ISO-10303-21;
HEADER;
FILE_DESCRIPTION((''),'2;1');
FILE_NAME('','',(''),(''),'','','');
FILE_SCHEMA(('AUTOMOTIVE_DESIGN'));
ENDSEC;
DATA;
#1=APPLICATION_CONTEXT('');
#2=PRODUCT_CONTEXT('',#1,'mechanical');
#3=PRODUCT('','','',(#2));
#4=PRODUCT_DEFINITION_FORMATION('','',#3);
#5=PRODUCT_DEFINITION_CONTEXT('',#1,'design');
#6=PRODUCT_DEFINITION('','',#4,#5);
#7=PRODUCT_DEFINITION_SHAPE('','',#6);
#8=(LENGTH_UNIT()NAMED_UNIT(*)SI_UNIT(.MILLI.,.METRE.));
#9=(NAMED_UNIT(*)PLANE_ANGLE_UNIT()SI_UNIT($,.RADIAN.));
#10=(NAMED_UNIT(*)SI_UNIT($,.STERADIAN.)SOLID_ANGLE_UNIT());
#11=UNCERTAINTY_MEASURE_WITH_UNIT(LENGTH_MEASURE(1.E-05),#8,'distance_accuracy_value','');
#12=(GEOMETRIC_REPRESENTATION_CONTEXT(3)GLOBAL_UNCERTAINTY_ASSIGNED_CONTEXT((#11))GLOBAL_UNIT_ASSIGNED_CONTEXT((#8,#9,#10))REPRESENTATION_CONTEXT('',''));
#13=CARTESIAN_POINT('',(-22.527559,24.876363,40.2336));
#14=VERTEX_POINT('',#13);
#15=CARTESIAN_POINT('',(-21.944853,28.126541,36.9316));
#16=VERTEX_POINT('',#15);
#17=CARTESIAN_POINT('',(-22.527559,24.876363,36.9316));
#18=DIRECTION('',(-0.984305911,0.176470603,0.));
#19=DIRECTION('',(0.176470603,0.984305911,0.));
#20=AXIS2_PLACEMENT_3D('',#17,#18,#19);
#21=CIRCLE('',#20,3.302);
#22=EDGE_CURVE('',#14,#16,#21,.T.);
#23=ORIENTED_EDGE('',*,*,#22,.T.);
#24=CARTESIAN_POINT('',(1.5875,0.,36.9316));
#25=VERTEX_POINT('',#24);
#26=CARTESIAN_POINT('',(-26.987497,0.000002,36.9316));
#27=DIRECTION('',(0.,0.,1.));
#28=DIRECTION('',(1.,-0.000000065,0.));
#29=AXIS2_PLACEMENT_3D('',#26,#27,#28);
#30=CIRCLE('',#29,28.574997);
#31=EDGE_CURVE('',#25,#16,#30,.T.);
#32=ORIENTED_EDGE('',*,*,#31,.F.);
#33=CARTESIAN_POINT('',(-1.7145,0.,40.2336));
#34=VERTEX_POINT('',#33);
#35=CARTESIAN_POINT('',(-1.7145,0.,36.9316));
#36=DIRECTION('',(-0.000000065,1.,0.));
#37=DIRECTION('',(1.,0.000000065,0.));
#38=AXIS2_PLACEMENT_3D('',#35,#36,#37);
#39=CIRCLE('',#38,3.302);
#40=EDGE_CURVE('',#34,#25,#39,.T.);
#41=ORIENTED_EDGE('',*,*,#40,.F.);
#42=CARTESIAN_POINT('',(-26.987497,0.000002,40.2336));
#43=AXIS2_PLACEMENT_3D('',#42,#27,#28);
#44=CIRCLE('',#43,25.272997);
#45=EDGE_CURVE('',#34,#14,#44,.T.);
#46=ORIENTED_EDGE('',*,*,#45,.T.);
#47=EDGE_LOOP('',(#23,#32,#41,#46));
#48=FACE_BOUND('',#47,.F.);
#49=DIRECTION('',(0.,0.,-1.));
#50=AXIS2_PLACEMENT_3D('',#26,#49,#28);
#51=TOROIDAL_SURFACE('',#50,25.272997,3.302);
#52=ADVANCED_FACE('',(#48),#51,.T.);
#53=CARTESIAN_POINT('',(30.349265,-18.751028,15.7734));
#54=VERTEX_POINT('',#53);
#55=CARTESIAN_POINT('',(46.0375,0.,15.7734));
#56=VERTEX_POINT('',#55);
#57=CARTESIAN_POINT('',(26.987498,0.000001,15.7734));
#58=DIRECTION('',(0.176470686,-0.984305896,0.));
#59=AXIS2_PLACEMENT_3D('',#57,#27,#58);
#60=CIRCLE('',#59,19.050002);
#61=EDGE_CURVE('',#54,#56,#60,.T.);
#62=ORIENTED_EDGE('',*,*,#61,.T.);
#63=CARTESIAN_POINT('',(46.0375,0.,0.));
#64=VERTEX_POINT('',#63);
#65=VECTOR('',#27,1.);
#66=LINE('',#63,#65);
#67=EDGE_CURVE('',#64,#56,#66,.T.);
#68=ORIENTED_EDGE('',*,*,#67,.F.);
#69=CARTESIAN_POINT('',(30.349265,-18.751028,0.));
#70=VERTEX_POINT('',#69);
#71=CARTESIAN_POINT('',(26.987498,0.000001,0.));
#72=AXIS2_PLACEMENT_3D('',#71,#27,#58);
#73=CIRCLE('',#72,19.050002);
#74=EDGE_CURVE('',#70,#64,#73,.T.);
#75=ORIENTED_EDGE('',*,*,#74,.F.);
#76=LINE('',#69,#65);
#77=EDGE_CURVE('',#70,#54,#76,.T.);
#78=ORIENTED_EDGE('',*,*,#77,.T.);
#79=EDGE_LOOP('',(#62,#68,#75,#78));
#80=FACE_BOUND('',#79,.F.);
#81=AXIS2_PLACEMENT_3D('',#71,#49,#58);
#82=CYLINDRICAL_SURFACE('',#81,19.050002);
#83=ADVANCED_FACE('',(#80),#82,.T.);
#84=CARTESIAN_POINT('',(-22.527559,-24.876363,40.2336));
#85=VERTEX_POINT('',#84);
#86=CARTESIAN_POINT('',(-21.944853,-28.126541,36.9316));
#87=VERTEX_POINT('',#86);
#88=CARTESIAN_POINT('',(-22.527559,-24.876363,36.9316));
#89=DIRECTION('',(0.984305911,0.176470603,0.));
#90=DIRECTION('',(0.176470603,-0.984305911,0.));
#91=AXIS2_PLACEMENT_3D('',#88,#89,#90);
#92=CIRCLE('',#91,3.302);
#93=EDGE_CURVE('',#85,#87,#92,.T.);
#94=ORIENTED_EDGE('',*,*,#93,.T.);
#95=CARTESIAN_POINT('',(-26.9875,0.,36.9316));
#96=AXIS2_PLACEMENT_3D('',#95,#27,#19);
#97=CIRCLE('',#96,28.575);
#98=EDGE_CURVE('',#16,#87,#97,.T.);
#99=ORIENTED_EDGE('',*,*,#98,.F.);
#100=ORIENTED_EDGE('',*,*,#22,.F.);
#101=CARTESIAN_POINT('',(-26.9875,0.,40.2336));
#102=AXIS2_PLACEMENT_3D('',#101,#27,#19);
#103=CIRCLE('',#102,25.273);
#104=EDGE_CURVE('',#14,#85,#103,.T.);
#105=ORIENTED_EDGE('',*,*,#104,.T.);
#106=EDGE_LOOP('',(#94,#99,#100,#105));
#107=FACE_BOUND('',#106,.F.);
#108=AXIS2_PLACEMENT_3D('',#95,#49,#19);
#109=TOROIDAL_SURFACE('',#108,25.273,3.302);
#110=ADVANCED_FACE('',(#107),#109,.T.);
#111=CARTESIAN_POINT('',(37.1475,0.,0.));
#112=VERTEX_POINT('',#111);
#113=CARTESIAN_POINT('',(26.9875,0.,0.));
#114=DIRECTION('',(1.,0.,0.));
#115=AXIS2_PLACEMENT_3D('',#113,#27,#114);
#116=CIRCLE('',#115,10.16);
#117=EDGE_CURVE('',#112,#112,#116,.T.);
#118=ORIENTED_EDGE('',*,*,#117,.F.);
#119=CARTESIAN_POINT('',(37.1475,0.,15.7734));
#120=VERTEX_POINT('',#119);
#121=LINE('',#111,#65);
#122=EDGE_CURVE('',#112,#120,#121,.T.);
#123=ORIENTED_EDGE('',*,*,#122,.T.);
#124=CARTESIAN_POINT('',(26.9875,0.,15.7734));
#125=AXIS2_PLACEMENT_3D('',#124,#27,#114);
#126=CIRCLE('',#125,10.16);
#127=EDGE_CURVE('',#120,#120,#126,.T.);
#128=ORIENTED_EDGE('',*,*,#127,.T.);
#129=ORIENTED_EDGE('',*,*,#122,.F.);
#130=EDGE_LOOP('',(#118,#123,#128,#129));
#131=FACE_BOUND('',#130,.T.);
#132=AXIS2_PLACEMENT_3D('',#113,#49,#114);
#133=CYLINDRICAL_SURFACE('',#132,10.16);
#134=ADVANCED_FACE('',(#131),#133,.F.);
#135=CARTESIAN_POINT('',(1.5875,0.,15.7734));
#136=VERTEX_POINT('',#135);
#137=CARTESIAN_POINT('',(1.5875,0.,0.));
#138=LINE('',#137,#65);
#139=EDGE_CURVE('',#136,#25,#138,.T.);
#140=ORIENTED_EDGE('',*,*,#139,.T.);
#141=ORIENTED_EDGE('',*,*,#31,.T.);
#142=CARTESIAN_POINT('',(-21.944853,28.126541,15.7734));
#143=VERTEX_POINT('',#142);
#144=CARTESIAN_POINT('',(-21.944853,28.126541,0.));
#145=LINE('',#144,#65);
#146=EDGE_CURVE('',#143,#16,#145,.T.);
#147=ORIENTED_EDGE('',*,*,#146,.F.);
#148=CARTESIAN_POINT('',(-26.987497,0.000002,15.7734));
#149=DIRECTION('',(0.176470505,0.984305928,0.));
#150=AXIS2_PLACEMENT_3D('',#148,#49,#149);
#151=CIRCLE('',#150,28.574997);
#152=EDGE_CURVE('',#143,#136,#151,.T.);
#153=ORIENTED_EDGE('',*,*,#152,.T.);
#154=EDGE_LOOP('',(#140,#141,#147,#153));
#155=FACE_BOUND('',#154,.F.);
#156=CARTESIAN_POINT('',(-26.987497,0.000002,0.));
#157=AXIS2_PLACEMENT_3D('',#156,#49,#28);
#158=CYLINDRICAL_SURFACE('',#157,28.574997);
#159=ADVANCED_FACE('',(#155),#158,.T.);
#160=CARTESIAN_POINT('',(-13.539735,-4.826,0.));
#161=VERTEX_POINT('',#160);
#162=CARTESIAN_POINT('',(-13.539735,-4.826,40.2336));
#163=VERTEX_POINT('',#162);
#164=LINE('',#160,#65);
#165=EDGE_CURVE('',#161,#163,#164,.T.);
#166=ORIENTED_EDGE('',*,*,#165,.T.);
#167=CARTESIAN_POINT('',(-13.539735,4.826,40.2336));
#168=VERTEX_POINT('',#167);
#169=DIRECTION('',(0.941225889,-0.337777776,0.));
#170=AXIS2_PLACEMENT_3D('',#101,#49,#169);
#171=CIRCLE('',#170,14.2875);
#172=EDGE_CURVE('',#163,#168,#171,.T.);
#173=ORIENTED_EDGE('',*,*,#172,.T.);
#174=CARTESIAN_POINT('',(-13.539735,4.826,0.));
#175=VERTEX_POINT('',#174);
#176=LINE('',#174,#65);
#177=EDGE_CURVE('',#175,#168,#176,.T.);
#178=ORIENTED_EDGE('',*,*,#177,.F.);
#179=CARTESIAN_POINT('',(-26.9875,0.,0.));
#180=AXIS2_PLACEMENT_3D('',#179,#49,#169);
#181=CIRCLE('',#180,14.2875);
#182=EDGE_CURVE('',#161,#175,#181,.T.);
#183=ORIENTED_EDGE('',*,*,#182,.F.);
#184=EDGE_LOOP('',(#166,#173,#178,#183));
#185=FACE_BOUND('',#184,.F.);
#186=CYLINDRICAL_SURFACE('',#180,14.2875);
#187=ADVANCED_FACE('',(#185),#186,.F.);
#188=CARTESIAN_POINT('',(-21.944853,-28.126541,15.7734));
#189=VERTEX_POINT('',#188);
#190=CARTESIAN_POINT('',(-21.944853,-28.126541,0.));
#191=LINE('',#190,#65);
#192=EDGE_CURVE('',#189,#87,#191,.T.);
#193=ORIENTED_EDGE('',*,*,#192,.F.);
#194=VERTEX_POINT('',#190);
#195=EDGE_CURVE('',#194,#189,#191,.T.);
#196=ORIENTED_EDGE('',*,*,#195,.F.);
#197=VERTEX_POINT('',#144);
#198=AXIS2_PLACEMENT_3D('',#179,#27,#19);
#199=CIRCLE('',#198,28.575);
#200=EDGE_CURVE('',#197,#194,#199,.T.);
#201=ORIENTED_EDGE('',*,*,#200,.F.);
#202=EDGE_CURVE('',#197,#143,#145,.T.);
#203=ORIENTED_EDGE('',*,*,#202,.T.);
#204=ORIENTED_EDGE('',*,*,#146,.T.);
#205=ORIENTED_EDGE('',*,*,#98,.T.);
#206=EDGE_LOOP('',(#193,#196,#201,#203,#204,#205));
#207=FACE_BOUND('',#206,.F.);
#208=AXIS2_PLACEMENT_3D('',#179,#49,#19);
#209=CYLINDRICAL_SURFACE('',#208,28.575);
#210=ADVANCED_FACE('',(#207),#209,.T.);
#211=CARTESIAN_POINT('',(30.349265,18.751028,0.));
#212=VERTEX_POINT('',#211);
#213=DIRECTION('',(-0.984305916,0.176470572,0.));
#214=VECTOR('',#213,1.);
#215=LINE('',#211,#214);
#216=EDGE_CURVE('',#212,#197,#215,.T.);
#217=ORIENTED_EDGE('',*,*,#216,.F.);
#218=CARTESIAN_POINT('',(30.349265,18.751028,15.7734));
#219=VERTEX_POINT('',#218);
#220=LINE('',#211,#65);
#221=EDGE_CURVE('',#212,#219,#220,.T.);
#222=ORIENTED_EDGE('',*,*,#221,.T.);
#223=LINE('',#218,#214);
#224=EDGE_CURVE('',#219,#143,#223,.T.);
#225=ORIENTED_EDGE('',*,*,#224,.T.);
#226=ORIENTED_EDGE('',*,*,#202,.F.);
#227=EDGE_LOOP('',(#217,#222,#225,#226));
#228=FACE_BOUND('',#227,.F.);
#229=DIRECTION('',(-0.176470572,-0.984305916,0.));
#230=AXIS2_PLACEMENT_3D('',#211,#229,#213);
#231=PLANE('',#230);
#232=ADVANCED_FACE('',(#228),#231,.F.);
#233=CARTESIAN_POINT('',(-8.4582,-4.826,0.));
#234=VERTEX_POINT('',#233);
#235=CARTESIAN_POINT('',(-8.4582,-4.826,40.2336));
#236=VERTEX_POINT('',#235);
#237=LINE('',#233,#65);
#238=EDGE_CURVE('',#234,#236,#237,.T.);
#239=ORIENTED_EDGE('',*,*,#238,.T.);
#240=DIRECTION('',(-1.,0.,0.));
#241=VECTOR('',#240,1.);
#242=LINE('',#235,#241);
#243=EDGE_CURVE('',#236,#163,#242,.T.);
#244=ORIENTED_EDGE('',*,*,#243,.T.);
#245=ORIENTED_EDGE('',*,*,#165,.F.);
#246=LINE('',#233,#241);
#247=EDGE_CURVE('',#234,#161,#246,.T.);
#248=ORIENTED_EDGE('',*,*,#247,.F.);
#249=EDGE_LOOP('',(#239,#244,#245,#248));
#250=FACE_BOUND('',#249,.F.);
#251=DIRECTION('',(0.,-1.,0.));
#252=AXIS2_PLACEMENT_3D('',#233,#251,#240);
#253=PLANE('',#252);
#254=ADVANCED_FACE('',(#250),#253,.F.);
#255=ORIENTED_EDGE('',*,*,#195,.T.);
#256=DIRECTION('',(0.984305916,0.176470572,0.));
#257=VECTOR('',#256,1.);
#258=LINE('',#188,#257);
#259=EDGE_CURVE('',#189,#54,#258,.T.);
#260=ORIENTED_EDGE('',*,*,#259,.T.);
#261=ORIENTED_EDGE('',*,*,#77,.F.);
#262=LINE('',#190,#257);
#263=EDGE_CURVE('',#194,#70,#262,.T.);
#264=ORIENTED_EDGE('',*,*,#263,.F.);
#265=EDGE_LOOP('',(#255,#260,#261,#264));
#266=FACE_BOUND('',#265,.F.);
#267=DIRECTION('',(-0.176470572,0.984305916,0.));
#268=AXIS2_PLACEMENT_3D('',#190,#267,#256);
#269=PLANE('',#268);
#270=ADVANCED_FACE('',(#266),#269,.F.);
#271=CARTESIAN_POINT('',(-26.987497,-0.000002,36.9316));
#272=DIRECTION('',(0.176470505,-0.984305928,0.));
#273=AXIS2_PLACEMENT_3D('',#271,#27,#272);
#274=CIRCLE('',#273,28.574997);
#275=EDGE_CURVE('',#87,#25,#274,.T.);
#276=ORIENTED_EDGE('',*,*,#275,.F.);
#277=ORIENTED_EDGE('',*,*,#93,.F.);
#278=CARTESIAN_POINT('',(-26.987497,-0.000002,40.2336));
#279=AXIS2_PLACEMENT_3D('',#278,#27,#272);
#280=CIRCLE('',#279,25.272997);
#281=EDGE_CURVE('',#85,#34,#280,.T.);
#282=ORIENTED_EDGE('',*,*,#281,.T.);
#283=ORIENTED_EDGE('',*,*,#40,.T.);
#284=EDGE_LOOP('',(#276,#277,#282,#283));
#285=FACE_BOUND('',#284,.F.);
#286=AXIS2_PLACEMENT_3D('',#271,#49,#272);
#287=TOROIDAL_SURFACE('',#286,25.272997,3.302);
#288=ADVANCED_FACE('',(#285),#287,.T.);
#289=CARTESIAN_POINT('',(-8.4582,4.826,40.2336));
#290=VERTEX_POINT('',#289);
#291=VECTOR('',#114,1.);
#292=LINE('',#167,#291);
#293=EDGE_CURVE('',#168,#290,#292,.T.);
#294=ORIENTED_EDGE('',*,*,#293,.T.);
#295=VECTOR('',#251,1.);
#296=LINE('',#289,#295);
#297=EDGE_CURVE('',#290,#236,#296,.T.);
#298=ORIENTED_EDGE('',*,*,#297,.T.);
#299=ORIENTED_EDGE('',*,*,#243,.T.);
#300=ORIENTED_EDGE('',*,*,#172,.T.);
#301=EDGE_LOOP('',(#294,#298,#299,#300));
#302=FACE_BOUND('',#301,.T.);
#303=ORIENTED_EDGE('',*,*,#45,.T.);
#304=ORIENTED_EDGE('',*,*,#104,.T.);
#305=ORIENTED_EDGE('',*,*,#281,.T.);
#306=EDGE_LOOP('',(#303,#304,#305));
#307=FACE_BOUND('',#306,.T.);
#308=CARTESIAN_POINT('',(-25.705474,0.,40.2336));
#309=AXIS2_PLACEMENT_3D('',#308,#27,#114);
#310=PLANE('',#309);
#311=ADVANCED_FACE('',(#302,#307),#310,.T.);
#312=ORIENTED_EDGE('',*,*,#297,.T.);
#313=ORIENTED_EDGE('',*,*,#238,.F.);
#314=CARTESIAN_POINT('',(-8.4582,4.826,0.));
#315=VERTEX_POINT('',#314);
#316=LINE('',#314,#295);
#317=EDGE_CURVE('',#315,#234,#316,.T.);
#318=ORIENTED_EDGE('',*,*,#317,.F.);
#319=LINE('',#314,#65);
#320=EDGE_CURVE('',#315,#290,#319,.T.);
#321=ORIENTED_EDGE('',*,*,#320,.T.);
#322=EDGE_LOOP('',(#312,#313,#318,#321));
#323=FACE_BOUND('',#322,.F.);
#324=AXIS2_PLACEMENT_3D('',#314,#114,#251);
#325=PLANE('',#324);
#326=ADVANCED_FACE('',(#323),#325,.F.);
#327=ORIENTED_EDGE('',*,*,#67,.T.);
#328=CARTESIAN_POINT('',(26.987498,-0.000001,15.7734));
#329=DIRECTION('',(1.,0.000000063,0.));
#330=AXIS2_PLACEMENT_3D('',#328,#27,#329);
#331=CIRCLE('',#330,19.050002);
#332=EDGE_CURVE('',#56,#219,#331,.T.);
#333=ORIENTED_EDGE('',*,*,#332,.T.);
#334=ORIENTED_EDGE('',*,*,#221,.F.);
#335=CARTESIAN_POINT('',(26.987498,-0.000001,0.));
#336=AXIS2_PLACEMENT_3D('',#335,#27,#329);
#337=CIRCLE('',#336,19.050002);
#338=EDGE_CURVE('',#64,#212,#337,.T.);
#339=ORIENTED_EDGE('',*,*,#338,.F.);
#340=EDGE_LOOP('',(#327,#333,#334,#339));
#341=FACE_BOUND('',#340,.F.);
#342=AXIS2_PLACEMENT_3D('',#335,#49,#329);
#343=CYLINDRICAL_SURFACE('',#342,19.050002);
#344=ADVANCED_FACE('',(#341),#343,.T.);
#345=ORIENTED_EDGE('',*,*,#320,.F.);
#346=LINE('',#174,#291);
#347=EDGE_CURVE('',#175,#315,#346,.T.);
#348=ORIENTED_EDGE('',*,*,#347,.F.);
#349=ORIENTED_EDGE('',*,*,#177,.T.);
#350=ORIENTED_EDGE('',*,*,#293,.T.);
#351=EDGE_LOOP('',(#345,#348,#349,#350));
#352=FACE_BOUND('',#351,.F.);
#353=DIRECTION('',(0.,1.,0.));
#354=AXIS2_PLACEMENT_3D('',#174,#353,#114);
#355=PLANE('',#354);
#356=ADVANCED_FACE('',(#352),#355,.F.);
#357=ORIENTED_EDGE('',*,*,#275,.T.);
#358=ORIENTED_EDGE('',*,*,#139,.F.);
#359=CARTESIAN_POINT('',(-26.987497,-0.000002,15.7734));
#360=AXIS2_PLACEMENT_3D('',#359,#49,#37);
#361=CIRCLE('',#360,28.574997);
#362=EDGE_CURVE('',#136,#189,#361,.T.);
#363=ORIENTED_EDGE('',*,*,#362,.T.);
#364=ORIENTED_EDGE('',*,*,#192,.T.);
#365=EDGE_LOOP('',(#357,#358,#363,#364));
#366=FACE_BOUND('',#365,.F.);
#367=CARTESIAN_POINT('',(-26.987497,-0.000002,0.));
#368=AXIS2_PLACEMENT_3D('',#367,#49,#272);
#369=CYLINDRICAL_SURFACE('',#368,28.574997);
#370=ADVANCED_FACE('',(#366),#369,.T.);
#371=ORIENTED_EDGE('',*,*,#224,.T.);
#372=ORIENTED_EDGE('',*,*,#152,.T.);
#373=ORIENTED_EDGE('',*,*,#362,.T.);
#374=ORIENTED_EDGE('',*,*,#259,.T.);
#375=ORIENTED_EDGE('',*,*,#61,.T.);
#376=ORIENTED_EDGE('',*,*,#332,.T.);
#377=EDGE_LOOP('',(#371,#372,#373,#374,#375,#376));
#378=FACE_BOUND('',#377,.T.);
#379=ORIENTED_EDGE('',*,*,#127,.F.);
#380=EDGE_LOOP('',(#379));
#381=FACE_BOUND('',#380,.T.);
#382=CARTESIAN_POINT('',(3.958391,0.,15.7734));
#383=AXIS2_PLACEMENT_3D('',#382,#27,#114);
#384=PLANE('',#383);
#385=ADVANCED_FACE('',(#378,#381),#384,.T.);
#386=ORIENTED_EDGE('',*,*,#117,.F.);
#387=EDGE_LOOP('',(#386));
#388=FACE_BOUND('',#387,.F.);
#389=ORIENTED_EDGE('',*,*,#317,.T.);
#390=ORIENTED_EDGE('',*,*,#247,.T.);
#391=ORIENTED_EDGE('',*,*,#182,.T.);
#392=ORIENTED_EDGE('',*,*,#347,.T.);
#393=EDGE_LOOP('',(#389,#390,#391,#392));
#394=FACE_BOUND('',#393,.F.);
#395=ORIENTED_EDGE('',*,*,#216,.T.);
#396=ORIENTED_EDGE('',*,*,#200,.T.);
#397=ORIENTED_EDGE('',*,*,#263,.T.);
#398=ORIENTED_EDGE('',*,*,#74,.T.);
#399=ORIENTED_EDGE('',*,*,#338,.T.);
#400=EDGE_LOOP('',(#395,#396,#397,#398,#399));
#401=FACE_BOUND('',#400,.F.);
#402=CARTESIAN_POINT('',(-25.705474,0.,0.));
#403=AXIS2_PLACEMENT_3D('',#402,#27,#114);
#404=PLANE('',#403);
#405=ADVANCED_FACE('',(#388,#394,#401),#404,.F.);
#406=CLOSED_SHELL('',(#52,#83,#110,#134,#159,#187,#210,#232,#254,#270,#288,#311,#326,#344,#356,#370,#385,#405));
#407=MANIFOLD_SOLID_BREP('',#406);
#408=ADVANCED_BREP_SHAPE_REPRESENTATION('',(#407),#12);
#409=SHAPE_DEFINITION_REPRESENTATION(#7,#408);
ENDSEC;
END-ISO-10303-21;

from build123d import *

# Parameters (mm, degrees)
F0_R     = 10.16
F1_DEPTH = 15.7734
F2_DEPTH = 40.2336
F3_R     = 3.302


with BuildPart() as f1:
    # F0 (on Top) → F1 (new body)
    with BuildSketch(Plane.XY):
        with BuildLine():
            ThreePointArc((-21.944853, 28.126541), (-5.071475, 18.336262), (1.5875, 0))
            ThreePointArc((1.5875, 0), (-5.071475, -18.336262), (-21.944853, -28.126541))
            Line((-21.944853, -28.126541), (30.349265, -18.751028))
            ThreePointArc((30.349265, -18.751028), (7.9375, 0), (30.349265, 18.751028))
            Line((30.349265, 18.751028), (-21.944853, 28.126541))
        make_face()
        with BuildLine():
            ThreePointArc((46.0375, 0), (41.598183, 12.224174), (30.349265, 18.751028))
            ThreePointArc((30.349265, 18.751028), (7.9375, 0), (30.349265, -18.751028))
            ThreePointArc((30.349265, -18.751028), (41.598183, -12.224174), (46.0375, 0))
        make_face()
        with Locations((26.9875, 0)):
            Circle(F0_R, mode=Mode.SUBTRACT)
    extrude(amount=F1_DEPTH)

    # F0 (on Top) → F2 (join)
    with BuildSketch(Plane.XY):
        with BuildLine():
            ThreePointArc((-21.944853, -28.126541), (-5.071475, -18.336262), (1.5875, 0))
            ThreePointArc((1.5875, 0), (-5.071475, 18.336262), (-21.944853, 28.126541))
            ThreePointArc((-21.944853, 28.126541), (-55.5625, 0), (-21.944853, -28.126541))
        make_face()
        with BuildLine():
            ThreePointArc((-13.539735, -4.826), (-41.275, 0), (-13.539735, 4.826))
            Line((-13.539735, 4.826), (-8.4582, 4.826))
            Line((-8.4582, 4.826), (-8.4582, -4.826))
            Line((-8.4582, -4.826), (-13.539735, -4.826))
        make_face(mode=Mode.SUBTRACT)
    extrude(amount=F2_DEPTH)

    # F3
    f3_edges = [f1.edges().sort_by_distance(p)[0] for p in [
        (-32.030147, 28.126541, 40.2336),
    ]]
    fillet(f3_edges, radius=F3_R)


solid = f1.part
